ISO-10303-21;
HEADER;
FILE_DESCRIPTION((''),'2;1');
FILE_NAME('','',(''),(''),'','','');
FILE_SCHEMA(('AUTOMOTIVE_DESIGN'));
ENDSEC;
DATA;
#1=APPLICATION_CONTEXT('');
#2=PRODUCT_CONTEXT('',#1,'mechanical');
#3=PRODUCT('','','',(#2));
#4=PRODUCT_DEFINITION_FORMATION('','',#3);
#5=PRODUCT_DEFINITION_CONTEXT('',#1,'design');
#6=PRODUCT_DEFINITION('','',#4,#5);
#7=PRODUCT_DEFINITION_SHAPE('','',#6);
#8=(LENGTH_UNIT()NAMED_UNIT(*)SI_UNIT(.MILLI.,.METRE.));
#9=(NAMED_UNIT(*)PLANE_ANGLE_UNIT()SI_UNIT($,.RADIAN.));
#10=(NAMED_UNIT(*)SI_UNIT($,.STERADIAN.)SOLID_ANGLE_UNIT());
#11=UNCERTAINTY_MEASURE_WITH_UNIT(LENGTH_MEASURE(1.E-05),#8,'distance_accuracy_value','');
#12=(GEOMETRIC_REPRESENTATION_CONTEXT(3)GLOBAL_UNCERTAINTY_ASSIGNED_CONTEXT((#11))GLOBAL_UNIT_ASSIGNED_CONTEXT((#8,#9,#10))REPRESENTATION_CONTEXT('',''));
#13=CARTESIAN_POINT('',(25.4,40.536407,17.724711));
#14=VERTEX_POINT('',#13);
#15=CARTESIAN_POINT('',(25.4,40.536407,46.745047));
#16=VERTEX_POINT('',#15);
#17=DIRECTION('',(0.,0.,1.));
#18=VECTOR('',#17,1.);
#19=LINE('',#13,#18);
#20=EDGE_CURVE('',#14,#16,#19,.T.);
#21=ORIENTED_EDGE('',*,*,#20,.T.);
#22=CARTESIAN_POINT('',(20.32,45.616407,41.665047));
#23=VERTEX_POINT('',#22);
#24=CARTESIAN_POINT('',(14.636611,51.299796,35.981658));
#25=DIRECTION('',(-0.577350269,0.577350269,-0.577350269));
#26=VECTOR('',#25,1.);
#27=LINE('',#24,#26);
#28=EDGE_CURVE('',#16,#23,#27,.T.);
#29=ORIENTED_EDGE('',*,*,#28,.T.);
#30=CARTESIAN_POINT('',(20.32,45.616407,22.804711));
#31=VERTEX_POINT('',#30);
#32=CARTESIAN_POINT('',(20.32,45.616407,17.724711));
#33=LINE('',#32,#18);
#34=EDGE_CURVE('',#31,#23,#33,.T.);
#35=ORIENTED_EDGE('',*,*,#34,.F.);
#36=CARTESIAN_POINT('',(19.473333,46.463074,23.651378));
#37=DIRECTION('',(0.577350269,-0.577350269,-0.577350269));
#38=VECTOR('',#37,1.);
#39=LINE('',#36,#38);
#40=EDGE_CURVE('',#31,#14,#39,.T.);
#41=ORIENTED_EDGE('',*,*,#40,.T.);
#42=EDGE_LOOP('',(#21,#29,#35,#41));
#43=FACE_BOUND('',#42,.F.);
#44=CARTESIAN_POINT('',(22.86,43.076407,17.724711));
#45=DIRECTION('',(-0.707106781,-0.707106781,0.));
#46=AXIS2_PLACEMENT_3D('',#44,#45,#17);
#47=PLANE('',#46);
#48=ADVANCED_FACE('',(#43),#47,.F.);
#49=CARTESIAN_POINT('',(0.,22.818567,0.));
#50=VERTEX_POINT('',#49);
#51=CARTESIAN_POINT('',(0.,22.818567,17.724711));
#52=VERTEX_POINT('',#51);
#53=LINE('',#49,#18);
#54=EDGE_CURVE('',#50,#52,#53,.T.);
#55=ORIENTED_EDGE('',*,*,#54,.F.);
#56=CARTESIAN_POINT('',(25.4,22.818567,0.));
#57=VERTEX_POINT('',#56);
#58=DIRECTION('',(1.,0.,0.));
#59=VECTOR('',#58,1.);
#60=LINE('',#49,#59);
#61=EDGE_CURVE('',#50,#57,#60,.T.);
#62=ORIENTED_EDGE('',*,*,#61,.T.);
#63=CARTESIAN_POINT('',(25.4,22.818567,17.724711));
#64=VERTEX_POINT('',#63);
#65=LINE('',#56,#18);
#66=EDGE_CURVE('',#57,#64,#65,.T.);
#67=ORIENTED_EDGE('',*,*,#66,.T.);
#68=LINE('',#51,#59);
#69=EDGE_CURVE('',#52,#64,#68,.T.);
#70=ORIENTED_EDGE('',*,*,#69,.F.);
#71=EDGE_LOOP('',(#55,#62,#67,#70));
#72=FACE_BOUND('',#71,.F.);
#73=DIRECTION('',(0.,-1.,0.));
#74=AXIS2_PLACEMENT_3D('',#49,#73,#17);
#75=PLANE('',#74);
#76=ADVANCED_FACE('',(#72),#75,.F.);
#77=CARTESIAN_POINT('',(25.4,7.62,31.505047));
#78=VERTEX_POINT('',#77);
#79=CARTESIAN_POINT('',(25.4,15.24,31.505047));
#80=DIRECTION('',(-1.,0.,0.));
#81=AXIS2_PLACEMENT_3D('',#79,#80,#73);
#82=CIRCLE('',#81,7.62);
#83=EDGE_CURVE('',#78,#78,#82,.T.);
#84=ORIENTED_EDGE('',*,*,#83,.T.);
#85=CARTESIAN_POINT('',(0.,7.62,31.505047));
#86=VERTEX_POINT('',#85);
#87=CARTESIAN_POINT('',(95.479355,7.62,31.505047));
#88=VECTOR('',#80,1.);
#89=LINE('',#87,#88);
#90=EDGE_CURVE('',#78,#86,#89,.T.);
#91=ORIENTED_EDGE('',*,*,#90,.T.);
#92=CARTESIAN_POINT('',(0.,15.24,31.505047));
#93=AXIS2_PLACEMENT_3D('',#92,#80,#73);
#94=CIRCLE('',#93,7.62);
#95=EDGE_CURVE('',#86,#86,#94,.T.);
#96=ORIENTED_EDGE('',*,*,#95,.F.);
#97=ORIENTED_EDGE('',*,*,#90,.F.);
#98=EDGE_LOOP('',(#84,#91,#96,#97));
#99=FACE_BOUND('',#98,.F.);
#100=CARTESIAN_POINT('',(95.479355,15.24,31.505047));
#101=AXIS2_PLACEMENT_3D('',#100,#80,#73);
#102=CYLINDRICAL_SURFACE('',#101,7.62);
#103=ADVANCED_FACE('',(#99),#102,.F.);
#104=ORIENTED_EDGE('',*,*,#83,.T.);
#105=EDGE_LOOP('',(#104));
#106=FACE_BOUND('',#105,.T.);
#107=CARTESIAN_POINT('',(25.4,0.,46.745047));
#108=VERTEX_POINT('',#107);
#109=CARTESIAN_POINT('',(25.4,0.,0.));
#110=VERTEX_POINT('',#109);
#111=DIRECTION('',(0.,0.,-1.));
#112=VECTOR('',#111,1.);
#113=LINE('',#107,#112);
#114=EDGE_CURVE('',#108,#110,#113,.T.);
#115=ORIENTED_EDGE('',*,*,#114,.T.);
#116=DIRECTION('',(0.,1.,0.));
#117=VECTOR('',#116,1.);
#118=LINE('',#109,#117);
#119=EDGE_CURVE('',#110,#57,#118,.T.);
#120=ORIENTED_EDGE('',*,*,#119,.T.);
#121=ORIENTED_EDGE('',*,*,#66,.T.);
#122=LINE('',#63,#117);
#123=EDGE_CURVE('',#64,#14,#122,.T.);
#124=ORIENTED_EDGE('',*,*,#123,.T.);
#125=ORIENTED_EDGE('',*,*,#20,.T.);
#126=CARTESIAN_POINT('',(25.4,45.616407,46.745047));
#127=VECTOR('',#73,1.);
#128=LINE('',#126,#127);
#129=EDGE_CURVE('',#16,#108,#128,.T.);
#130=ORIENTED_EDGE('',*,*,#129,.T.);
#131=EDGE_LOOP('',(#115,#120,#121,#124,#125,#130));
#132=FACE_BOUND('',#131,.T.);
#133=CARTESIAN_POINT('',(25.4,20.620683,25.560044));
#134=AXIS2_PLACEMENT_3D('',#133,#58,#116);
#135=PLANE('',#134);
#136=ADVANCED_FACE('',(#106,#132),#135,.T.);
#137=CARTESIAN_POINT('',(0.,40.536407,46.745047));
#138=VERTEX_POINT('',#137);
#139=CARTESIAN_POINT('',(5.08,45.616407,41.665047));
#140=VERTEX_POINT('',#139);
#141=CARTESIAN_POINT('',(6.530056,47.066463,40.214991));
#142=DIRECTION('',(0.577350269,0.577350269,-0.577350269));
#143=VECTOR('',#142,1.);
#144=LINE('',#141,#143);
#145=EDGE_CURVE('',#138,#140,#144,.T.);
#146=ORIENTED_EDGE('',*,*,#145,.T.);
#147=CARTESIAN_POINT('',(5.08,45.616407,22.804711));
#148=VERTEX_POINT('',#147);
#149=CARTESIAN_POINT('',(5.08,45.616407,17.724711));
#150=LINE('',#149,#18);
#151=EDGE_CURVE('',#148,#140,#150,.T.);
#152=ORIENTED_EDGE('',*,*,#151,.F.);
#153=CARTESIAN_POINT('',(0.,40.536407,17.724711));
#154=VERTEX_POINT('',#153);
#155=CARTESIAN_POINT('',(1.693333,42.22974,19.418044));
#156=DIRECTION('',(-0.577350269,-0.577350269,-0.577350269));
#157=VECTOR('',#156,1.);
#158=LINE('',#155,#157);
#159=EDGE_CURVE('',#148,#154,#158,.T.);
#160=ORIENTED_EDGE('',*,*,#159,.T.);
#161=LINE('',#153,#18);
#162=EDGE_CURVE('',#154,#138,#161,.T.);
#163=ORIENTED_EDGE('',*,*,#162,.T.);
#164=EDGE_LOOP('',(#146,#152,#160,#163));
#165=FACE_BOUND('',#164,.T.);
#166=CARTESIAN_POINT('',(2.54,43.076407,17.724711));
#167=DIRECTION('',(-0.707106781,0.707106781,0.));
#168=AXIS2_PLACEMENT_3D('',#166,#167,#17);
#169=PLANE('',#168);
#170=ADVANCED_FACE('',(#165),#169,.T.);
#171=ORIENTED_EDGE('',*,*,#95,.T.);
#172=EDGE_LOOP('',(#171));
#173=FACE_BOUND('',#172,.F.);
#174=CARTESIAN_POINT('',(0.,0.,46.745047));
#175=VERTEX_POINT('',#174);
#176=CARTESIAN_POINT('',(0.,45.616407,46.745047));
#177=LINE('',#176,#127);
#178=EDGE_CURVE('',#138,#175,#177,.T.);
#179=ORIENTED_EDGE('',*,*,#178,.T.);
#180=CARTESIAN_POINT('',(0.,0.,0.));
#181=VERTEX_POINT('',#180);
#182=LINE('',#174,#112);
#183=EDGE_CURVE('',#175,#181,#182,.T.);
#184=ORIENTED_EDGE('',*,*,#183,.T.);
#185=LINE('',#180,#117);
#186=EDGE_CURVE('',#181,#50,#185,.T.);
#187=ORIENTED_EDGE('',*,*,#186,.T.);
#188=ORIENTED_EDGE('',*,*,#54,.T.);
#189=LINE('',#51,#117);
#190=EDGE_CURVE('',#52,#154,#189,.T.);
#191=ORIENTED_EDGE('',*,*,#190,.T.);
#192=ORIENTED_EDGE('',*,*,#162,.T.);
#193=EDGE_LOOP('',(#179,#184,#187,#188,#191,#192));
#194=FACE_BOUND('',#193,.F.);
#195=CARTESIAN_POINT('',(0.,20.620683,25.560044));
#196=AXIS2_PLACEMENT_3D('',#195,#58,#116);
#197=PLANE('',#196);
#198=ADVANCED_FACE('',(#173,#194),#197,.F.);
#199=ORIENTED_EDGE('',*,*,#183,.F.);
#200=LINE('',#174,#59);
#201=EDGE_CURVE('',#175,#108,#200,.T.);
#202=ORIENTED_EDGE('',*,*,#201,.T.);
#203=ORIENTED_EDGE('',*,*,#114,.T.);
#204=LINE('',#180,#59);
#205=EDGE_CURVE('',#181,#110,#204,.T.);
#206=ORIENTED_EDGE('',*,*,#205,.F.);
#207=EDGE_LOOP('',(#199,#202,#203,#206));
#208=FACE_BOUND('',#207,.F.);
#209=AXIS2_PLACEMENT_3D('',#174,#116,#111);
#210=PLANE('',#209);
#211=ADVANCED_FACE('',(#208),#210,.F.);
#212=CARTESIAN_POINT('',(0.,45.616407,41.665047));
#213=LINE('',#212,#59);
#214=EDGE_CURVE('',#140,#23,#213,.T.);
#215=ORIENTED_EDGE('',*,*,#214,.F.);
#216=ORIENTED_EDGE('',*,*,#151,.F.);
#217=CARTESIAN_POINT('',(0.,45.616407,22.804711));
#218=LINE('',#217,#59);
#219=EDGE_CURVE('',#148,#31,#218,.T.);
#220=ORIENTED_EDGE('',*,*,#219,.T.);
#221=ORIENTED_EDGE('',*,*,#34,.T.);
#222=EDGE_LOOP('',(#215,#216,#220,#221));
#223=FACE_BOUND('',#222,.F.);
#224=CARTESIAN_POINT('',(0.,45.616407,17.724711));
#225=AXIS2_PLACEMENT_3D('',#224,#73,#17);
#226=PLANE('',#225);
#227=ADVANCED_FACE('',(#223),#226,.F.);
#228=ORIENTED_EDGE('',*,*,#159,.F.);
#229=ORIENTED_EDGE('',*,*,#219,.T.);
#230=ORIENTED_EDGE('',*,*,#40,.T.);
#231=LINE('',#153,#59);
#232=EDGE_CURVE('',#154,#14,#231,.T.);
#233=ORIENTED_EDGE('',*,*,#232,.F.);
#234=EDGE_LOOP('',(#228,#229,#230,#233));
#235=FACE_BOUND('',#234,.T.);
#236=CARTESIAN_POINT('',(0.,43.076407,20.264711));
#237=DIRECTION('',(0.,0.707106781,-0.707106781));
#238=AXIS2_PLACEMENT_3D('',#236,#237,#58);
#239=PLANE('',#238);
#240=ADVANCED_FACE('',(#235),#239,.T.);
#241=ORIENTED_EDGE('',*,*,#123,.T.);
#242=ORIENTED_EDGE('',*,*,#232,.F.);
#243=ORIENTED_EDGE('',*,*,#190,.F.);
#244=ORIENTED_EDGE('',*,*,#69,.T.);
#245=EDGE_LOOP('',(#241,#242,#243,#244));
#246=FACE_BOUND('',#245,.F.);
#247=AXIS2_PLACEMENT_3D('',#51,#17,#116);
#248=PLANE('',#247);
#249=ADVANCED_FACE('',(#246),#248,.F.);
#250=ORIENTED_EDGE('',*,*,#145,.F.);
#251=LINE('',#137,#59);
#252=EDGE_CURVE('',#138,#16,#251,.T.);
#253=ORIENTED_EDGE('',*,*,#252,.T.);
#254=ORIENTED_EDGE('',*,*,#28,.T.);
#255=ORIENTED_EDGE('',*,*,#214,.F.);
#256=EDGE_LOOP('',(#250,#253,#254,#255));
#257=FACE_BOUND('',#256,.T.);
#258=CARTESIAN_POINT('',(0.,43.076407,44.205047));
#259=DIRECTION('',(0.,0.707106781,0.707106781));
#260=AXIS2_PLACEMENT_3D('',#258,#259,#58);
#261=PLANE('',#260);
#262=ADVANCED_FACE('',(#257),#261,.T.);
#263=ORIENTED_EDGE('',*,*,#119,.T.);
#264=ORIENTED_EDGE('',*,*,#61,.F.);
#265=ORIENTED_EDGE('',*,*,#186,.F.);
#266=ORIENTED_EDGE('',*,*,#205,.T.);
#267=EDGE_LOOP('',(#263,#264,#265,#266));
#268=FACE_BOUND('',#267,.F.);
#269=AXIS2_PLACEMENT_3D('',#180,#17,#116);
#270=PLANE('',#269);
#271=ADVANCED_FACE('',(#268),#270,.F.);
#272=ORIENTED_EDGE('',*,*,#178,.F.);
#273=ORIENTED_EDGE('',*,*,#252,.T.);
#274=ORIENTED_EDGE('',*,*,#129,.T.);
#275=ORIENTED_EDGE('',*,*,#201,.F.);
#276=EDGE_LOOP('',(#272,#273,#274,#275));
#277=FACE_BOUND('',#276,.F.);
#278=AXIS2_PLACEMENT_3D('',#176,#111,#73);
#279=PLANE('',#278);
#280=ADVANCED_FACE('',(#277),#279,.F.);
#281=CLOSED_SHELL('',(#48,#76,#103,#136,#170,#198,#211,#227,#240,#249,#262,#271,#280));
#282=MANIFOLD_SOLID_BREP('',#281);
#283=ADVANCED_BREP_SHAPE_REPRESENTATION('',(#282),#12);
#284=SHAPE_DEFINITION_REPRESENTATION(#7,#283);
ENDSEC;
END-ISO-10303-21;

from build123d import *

# Parameters (mm, degrees)
F1_DEPTH = 25.4
F3_D     = 15.24
F4_SIZE  = 5.08


with BuildPart() as f1:
    # F0 (on Right) → F1 (new body)
    with BuildSketch(Plane.YZ):
        Polygon((0, 46.745047), (0, 0), (22.818567, 0), (22.818567, 17.724711), (45.616407, 17.724711), (45.616407, 46.745047), align=None)
    extrude(amount=F1_DEPTH)

    # F3 (through all)
    with Locations(Plane.YZ.offset(25.4)):
        with Locations((15.24, 31.505047)):
            Hole(F3_D / 2)

    # F4
    f4_edges = [f1.edges().sort_by_distance(p)[0] for p in [
        (12.7, 45.616407, 17.724711),
        (0, 45.616407, 32.234879),
        (12.7, 45.616407, 46.745047),
        (25.4, 45.616407, 32.234879),
    ]]
    chamfer(f4_edges, length=F4_SIZE)


solid = f1.part
